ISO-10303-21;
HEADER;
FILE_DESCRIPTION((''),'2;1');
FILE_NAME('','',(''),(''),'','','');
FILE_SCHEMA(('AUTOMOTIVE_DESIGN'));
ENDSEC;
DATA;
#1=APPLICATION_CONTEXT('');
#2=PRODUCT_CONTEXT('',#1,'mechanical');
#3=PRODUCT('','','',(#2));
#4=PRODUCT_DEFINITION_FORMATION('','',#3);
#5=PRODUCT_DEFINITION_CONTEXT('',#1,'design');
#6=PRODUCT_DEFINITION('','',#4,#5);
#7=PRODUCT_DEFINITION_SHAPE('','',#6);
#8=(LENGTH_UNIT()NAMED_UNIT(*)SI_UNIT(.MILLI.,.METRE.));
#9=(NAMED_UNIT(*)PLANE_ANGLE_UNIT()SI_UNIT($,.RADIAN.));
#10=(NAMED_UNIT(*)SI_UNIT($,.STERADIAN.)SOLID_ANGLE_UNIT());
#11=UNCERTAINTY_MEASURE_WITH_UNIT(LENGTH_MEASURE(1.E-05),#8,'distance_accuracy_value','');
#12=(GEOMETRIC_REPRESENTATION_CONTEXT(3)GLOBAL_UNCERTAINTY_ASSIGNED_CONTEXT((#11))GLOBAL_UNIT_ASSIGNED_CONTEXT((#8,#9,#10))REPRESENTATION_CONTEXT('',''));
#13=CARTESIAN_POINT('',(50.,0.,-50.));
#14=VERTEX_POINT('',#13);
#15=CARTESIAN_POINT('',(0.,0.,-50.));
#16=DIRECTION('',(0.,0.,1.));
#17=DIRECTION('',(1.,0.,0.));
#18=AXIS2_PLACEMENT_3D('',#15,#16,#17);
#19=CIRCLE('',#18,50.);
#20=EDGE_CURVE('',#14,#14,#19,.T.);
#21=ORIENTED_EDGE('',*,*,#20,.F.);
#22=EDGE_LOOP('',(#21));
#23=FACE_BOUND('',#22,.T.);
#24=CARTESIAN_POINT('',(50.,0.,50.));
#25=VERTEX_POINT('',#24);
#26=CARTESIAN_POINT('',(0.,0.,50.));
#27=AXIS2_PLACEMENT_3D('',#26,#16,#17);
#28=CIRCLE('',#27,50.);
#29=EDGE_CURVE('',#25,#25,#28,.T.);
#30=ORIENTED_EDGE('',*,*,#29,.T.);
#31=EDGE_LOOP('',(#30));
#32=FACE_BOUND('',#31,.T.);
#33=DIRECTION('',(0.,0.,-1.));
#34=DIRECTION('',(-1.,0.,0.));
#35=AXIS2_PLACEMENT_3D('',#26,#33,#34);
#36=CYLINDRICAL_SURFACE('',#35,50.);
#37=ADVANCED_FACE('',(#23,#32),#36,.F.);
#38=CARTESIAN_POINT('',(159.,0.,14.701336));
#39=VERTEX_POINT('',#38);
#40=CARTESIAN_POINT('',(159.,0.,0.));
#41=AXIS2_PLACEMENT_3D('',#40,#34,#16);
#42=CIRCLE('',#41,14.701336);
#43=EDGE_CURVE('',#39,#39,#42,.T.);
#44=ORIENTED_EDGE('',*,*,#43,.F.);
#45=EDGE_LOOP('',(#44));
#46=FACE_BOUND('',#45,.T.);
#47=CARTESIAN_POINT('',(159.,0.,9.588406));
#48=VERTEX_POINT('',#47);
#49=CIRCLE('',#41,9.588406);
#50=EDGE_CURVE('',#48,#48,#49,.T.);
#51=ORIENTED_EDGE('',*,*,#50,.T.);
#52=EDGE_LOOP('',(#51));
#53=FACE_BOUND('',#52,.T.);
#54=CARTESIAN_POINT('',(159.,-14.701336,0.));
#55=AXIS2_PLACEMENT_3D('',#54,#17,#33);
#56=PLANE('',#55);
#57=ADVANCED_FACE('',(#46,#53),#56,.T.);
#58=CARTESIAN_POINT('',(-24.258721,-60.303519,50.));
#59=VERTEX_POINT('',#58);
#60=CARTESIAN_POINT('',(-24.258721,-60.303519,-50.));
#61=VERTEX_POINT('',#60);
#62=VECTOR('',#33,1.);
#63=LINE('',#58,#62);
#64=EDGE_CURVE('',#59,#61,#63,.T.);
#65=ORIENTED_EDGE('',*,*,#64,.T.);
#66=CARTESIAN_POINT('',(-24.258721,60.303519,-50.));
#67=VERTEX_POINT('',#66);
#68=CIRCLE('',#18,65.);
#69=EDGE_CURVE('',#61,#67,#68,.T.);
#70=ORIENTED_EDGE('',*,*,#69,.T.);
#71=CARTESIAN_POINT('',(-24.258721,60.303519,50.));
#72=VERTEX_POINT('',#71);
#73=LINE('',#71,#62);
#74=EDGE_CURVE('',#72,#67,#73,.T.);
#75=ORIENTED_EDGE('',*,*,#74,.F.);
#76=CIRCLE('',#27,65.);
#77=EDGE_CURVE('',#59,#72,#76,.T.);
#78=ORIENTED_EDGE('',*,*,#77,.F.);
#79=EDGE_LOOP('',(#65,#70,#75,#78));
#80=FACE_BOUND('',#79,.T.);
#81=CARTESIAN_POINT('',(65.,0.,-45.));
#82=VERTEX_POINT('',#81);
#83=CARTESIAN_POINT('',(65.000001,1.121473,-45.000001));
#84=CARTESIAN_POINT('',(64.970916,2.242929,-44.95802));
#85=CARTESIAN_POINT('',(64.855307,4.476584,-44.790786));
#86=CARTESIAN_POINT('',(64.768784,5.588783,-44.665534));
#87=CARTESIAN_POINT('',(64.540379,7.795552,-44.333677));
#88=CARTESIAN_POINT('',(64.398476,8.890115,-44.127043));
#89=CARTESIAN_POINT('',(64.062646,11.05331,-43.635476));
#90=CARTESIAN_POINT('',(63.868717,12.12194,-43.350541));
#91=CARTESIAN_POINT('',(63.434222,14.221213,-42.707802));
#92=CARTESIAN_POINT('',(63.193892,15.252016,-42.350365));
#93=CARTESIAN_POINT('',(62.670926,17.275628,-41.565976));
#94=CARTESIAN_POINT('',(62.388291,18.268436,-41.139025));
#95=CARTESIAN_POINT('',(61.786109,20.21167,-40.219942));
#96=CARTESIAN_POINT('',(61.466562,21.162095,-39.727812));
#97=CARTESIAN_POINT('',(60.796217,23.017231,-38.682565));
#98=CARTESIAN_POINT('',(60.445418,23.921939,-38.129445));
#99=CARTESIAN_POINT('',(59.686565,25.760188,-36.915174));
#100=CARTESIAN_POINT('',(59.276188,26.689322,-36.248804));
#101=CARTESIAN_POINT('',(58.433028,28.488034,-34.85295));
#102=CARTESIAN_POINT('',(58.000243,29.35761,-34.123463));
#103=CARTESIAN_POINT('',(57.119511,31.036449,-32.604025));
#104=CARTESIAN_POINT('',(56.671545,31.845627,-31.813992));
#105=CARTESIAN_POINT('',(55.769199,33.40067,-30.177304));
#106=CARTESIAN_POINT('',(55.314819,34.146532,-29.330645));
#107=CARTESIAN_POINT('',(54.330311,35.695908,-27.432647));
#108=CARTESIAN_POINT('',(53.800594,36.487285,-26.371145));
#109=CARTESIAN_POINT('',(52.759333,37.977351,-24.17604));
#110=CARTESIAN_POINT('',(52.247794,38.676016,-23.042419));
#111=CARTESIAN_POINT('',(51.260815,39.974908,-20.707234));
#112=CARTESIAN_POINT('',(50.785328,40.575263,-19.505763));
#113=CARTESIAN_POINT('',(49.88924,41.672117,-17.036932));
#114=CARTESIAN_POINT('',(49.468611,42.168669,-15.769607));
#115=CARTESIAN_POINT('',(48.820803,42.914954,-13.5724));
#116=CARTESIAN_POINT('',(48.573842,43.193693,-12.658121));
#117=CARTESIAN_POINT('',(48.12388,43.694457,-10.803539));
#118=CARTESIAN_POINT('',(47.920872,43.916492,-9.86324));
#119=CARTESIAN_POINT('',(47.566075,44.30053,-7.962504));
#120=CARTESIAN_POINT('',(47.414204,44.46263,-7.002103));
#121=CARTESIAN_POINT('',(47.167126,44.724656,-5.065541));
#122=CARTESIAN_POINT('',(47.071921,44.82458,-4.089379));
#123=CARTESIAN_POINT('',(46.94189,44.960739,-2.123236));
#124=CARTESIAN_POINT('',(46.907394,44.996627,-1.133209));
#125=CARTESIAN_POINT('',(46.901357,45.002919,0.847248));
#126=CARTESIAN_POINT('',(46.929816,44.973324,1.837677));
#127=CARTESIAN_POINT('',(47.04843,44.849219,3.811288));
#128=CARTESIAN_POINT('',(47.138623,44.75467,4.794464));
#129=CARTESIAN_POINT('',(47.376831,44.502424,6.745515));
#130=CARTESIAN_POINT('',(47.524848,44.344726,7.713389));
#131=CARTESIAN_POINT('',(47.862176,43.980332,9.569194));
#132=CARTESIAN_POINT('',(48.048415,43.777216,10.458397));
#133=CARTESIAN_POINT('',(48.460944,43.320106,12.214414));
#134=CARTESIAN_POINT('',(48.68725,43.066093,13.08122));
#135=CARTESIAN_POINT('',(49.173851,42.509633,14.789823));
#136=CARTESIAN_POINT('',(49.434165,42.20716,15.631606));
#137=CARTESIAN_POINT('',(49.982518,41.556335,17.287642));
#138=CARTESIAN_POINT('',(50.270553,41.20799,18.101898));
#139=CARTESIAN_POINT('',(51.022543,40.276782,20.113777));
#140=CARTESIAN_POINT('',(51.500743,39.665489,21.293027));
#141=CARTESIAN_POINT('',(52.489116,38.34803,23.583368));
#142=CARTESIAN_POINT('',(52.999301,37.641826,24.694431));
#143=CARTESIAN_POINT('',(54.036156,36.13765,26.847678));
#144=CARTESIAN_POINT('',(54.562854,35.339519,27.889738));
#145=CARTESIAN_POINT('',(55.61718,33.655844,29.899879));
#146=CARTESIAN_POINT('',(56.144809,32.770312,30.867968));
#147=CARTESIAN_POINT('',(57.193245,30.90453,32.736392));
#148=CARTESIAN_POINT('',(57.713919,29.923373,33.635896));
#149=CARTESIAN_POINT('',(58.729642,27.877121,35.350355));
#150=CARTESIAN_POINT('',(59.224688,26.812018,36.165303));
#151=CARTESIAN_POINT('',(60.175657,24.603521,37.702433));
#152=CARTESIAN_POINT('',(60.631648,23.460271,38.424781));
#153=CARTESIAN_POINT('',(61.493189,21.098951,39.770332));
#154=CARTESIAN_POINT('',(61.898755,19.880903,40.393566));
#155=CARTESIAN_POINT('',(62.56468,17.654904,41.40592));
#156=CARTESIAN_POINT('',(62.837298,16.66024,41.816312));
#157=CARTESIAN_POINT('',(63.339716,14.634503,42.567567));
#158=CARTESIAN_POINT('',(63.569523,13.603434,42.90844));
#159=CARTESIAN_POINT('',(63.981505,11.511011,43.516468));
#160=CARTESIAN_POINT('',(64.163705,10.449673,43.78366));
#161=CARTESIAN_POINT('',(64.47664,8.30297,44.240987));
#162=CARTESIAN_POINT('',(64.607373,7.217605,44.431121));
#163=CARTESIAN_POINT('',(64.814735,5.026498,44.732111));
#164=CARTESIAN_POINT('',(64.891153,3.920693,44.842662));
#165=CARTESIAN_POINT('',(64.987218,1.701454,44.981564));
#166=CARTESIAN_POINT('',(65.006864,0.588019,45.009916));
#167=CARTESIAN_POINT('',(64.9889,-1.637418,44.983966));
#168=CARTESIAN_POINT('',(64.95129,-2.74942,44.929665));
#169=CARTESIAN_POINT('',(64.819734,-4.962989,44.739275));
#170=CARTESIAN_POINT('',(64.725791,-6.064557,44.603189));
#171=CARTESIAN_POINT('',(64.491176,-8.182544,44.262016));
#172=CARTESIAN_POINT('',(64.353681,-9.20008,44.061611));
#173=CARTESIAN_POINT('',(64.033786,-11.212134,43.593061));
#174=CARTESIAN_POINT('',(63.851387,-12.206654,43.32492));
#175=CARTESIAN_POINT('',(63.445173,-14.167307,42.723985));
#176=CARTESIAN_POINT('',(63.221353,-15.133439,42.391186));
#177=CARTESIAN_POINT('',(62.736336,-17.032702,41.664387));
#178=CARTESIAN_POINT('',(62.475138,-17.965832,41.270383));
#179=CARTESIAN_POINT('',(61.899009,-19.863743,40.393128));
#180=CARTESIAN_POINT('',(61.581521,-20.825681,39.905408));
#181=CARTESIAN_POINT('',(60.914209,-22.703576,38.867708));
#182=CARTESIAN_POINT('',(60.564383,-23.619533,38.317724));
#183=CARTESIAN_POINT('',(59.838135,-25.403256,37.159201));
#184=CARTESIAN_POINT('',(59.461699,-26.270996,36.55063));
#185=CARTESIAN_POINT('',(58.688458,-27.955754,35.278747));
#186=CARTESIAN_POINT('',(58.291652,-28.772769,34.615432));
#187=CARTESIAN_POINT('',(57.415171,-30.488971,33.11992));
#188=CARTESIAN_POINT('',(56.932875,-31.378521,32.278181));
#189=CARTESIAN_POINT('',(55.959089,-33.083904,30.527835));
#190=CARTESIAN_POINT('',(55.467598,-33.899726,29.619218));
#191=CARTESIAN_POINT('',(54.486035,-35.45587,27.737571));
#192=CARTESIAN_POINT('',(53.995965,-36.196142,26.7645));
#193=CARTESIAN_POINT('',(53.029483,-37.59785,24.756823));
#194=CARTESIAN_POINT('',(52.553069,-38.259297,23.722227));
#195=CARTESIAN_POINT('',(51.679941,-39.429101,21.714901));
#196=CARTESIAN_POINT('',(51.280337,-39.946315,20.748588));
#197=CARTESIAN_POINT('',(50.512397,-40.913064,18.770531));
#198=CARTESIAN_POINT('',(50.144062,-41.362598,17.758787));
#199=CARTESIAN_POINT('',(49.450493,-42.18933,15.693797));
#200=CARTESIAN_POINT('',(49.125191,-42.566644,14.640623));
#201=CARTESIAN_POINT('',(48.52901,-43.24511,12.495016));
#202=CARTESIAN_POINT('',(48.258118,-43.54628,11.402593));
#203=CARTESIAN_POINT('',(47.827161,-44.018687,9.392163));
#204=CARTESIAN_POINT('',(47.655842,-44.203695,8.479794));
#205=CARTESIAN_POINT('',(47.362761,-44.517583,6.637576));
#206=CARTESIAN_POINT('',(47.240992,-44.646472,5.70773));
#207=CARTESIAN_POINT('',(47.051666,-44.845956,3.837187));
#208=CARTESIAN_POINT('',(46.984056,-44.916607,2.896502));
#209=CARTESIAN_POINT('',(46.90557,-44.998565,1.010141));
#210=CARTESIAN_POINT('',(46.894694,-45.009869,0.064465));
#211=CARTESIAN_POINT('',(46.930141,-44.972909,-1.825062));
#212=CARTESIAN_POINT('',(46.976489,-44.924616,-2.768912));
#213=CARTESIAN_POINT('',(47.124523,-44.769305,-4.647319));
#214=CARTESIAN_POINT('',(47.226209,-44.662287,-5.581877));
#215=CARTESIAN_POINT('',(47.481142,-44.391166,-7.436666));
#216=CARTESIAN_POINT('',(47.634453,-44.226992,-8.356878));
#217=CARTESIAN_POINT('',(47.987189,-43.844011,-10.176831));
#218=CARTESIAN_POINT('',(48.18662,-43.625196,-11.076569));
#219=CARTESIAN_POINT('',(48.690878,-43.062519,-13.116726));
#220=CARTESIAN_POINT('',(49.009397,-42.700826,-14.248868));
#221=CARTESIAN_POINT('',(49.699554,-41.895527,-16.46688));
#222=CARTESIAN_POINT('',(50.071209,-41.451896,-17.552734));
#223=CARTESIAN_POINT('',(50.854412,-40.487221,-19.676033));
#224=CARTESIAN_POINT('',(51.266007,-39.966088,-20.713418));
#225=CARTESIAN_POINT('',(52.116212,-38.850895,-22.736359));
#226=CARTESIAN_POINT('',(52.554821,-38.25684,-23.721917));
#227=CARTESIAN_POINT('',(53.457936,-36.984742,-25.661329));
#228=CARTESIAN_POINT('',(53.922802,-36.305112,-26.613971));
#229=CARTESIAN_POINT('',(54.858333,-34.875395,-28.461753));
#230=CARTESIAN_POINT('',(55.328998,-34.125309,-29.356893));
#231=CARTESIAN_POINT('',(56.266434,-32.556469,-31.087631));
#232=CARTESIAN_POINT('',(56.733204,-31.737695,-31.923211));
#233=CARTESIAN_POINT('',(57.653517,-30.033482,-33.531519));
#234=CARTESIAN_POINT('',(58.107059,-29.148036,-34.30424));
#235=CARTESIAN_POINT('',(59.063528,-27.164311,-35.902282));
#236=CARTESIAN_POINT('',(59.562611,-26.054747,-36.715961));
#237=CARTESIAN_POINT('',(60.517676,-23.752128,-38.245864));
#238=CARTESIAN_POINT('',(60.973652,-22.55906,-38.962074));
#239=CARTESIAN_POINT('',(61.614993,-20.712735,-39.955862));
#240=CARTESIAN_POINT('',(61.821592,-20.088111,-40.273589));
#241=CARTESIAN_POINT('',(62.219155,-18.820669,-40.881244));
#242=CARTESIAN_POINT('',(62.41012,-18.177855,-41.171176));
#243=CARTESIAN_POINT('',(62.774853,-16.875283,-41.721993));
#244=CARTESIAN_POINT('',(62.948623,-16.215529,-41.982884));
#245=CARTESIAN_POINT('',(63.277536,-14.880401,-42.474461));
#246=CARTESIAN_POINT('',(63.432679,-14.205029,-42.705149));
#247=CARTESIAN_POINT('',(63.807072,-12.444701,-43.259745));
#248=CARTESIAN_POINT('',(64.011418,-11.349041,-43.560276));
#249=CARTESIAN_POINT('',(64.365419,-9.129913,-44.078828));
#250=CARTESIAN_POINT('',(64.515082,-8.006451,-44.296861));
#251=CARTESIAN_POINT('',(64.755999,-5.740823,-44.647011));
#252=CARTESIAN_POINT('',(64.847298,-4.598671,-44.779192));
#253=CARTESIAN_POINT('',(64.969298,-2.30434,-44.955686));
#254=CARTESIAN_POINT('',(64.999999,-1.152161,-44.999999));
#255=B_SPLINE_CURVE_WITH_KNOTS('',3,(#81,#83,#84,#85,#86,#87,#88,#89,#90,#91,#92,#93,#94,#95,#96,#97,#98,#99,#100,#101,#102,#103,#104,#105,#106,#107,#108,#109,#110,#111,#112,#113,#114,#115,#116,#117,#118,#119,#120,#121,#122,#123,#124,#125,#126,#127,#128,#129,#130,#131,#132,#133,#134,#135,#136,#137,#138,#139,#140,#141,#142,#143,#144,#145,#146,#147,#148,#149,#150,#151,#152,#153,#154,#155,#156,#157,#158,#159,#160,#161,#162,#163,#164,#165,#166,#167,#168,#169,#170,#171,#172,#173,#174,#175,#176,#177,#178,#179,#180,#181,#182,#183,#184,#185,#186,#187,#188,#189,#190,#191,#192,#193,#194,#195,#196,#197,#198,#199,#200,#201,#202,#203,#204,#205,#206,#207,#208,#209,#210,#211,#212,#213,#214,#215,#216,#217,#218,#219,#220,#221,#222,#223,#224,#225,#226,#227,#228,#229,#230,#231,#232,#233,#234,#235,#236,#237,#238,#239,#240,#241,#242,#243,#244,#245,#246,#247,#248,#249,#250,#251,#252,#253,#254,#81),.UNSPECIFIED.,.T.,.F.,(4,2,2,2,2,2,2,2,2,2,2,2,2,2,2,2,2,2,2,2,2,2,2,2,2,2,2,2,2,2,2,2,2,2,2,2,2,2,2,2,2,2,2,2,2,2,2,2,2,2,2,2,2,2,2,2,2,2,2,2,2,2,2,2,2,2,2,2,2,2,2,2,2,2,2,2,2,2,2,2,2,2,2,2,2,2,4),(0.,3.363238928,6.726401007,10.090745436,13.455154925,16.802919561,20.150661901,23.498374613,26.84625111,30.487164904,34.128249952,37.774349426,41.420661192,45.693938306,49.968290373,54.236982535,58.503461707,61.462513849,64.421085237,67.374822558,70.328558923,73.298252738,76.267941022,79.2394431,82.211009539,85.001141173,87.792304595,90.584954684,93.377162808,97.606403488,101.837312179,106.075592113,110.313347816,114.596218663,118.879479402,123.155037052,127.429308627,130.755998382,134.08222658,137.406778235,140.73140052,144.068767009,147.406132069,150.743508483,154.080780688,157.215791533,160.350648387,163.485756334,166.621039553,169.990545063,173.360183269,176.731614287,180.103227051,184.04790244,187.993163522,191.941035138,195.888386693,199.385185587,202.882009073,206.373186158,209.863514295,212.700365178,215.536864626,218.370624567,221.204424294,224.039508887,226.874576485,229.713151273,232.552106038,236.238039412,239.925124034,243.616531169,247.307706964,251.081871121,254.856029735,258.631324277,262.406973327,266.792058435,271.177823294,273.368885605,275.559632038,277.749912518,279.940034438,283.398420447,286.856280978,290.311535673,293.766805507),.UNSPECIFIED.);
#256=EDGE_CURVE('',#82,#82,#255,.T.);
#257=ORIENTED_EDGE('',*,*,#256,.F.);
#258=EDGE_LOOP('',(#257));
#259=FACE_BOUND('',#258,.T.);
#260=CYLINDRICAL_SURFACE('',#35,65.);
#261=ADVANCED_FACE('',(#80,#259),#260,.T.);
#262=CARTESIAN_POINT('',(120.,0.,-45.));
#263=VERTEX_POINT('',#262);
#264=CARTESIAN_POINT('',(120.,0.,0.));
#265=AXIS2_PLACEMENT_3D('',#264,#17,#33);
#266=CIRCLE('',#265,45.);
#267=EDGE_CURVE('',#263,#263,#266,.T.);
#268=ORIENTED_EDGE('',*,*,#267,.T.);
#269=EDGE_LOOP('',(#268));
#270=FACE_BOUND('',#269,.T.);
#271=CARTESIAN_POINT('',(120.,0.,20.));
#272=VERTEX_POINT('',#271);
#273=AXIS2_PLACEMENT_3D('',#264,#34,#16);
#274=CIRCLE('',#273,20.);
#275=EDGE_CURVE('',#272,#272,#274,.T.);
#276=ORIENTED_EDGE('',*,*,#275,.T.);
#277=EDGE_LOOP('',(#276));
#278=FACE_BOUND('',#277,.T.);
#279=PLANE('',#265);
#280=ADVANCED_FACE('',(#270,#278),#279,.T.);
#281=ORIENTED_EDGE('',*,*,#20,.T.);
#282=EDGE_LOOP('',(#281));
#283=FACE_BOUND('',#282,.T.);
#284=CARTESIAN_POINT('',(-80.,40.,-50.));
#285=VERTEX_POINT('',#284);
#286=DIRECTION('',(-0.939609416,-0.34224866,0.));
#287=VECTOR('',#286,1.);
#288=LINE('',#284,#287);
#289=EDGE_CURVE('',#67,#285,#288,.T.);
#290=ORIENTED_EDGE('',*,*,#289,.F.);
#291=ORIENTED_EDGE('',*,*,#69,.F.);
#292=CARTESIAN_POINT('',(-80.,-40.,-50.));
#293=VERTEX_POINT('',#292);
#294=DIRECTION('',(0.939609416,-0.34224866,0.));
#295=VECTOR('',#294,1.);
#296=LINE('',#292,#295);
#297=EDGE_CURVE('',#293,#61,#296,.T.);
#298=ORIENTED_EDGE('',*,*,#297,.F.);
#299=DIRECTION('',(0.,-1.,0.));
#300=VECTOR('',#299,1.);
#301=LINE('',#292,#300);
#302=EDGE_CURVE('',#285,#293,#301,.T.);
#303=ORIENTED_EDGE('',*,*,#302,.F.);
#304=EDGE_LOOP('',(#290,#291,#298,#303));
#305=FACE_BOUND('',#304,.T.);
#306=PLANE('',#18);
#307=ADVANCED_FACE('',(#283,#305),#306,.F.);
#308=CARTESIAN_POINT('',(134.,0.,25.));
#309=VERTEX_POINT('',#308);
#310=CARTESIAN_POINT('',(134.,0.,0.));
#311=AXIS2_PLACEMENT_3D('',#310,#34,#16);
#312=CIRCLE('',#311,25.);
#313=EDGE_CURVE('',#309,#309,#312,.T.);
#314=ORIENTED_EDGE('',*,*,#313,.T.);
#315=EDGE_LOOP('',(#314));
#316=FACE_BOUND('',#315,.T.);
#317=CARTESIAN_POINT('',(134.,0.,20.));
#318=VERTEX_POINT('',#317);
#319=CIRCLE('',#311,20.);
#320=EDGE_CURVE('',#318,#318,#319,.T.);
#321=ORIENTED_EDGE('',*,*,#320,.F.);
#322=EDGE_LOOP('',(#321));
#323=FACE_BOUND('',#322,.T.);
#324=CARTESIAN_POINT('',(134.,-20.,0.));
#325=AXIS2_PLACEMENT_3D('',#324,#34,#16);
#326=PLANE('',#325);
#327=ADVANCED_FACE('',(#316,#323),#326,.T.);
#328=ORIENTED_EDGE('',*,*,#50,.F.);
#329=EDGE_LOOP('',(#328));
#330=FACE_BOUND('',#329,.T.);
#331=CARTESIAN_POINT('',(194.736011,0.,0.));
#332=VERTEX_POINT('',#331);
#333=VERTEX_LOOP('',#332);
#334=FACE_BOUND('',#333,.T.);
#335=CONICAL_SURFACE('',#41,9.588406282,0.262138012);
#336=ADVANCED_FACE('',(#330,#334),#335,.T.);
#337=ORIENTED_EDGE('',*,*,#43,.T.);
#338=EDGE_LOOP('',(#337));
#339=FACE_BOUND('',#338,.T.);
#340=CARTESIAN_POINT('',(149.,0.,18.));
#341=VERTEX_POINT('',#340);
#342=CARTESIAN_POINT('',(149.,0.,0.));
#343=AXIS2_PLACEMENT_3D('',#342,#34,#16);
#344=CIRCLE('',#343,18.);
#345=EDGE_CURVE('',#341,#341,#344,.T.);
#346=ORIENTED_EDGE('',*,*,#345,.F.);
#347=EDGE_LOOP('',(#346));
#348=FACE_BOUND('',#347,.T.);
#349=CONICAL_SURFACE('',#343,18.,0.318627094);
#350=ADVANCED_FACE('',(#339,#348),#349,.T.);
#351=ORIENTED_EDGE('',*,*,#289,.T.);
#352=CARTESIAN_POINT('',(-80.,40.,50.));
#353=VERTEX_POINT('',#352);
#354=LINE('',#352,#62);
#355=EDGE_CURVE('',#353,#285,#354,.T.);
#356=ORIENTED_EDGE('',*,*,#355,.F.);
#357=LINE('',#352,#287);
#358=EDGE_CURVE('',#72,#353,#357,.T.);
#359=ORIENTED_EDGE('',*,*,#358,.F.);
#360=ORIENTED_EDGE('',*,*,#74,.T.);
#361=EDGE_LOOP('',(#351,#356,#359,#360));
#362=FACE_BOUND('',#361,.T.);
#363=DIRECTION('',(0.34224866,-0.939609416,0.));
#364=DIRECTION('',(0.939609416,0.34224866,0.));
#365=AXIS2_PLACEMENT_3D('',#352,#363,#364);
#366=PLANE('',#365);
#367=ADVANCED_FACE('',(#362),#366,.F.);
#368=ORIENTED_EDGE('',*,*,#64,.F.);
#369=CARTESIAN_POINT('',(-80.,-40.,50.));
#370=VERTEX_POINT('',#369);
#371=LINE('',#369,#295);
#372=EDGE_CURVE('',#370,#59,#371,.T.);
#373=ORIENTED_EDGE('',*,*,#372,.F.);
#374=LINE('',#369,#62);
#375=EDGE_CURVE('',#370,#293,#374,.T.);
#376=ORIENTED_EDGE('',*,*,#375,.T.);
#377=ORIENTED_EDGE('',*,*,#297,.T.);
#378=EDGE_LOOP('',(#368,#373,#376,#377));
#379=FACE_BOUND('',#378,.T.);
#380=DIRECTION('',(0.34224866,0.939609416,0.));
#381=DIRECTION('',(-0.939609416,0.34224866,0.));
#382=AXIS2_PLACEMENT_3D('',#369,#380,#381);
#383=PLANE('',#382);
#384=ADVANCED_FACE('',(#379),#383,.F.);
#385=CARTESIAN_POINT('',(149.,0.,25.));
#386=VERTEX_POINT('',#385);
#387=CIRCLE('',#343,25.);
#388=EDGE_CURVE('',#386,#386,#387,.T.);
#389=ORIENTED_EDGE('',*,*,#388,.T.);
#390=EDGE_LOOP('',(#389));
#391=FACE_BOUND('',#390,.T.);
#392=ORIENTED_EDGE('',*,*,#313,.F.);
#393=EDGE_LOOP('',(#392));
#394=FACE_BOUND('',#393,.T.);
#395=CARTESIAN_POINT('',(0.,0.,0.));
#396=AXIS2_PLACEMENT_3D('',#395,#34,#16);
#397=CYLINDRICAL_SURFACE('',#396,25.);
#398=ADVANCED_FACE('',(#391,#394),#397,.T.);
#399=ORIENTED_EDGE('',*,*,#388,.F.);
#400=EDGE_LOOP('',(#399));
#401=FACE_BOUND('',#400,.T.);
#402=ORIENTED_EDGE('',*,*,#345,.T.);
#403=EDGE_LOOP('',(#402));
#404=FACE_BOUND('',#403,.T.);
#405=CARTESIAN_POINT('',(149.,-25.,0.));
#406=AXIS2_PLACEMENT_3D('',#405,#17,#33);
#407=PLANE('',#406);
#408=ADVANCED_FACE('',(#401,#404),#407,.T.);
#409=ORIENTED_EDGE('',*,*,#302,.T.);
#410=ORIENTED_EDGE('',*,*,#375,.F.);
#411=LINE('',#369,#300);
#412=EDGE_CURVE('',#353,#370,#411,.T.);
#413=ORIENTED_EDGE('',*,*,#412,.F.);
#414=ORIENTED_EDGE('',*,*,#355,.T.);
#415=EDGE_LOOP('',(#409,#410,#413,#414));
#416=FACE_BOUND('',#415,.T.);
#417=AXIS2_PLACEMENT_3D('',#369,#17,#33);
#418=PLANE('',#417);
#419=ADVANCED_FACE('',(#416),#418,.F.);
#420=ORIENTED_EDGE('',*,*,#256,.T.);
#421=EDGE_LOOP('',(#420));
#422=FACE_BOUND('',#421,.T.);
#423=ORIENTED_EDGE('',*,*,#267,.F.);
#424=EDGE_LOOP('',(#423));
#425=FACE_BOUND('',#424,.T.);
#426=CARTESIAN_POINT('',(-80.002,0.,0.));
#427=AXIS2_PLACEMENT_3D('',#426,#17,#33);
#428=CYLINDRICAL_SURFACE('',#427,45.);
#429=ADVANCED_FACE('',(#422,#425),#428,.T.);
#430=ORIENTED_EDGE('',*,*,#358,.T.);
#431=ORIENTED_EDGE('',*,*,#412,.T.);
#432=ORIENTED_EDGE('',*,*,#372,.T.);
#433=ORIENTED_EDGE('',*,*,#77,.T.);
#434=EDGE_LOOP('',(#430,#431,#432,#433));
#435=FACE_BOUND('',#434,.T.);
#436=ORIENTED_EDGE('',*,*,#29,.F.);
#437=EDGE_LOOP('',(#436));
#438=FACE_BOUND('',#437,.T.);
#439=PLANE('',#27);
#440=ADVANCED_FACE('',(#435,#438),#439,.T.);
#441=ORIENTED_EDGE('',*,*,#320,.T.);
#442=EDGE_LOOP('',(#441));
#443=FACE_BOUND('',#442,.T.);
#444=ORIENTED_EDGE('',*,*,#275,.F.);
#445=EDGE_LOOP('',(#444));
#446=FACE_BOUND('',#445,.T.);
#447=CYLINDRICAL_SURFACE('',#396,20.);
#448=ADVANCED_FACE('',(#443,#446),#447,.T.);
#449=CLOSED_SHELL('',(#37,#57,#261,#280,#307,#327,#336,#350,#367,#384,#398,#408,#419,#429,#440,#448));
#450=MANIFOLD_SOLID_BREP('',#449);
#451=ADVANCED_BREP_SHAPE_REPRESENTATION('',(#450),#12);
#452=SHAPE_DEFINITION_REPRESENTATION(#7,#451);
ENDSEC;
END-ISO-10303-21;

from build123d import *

# Parameters (mm, degrees)
SKETCH1_R           = 50
BOSS_EXTRUDE1_DEPTH = 50
BOSS_EXTRUDE2_REACH = 202
SKETCH2_R           = 45


with BuildPart() as part:
    # Sketch1 → Boss-Extrude1 (new body, symmetric)
    with BuildSketch(Plane.XY):
        with BuildLine():
            Line((-80, -40), (-80, 40))
            Line((-80, 40), (-24.258721248, 60.303519329))
            ThreePointArc((-24.258721248, 60.303519329), (65, 0), (-24.258721248, -60.303519329))
            Line((-24.258721248, -60.303519329), (-80, -40))
        make_face()
        Circle(SKETCH1_R, mode=Mode.SUBTRACT)
    extrude(amount=BOSS_EXTRUDE1_DEPTH, both=True)

    # Sketch2 → Boss-Extrude2 (add, up to next)
    with BuildSketch(Plane(origin=(120, 0, 0), x_dir=(0, 0, -1), z_dir=(1, 0, 0)), mode=Mode.PRIVATE) as boss_extrude2_sk1:
        Circle(SKETCH2_R)
    boss_extrude2_tool1 = extrude(boss_extrude2_sk1.sketch, amount=-BOSS_EXTRUDE2_REACH, mode=Mode.PRIVATE) - part.part
    add(boss_extrude2_tool1.solids().sort_by_distance((120, 0, 0))[0])

    # Sketch3 → Revolve1 (revolve)
    with BuildSketch(Plane.XY):
        Polygon((120, 0), (120, -20), (134, -20), (134, -25), (149, -25), (149, -18), (159, -14.701335797), (159, -9.588406282), (194.736010759, 0), align=None)
    revolve(axis=Axis((0, 0, 0), (1, 0, 0)))


solid = part.part
